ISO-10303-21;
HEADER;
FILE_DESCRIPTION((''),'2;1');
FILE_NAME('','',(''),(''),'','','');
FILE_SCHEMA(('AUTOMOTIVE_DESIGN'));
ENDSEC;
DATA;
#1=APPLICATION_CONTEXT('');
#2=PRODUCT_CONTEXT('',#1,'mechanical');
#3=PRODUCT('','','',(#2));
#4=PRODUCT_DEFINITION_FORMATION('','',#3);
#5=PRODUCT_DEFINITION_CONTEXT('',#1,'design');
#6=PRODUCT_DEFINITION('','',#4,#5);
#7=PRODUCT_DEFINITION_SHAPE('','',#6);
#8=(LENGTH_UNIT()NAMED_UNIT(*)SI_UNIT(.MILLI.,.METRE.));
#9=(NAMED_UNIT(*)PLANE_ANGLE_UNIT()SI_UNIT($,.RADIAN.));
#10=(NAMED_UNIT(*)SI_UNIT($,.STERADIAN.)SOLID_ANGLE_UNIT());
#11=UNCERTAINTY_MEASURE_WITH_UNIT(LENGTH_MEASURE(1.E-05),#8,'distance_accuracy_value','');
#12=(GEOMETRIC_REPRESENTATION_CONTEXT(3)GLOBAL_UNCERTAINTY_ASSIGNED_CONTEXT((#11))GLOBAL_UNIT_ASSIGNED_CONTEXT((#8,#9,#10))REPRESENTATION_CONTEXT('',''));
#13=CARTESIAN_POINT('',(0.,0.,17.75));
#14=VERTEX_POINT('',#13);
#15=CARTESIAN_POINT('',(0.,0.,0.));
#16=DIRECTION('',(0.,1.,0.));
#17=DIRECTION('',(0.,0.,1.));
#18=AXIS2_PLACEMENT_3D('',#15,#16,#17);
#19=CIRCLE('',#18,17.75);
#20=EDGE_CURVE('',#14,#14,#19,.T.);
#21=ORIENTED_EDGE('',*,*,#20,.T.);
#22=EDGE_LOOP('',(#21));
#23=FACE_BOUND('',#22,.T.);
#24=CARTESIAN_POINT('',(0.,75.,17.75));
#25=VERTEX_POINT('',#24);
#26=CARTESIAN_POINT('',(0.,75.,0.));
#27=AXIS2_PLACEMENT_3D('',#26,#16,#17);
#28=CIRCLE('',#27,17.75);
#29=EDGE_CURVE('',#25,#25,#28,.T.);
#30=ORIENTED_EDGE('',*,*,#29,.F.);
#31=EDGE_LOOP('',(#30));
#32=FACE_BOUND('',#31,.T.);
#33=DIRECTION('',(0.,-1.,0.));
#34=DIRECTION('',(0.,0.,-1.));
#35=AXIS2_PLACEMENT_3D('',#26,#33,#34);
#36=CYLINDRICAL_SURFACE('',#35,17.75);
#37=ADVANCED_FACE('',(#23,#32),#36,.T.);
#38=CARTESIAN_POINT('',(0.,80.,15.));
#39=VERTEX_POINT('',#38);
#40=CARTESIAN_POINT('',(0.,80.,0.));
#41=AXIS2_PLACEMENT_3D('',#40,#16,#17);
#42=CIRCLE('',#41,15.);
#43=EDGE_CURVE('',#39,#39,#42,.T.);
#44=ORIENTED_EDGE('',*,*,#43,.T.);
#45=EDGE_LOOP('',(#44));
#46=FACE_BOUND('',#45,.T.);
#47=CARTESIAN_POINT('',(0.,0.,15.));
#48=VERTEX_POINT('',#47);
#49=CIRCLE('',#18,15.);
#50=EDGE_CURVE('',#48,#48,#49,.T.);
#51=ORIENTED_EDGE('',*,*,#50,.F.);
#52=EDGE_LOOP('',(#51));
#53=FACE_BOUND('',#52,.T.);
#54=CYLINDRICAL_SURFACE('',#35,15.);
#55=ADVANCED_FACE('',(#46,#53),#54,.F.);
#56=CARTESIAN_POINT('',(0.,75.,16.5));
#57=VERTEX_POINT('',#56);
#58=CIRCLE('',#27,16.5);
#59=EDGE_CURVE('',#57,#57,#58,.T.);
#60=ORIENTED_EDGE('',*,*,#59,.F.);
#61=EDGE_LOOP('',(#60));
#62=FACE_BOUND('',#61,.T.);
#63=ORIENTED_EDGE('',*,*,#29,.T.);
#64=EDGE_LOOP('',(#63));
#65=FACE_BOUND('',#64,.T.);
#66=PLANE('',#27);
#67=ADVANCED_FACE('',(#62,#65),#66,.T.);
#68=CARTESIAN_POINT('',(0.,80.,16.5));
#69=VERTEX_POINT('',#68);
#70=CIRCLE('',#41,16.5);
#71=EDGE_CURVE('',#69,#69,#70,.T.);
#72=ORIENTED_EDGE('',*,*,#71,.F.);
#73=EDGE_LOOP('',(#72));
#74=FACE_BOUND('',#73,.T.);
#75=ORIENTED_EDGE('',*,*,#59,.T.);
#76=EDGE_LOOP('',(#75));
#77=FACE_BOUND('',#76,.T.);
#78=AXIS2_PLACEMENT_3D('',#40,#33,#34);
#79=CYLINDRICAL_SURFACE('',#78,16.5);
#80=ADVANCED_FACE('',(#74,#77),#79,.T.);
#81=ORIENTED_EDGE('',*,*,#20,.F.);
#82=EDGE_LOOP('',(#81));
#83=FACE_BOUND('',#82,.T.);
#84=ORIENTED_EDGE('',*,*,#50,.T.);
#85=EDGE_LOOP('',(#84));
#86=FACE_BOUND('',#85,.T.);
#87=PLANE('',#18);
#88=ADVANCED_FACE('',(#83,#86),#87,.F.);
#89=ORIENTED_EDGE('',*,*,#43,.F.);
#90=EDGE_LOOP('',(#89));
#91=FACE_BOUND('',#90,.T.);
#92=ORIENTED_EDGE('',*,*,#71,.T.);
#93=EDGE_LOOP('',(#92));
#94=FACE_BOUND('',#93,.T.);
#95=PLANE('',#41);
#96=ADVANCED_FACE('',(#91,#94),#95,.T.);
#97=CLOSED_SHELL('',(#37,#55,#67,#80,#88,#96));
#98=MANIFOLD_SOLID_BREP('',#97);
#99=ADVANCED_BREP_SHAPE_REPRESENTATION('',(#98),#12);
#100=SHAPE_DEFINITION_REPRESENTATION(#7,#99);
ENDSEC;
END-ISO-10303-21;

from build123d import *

# Parameters (mm, degrees)
SKETCH1_R           = 17.75
SKETCH1_R_2         = 15
BOSS_EXTRUDE1_DEPTH = 75
SKETCH2_R           = 16.5
SKETCH2_R_2         = 15
BOSS_EXTRUDE2_DEPTH = 5


with BuildPart() as part:
    # Sketch1 → Boss-Extrude1 (new body)
    with BuildSketch(Plane(origin=(0, 0, 0), x_dir=(1, 0, 0), z_dir=(0, 1, 0))):
        with Locations(Location((0, 0, 0), (0, 0, 270))):
            Circle(SKETCH1_R)
        with Locations(Location((0, 0, 0), (0, 0, 270))):
            Circle(SKETCH1_R_2, mode=Mode.SUBTRACT)
    extrude(amount=BOSS_EXTRUDE1_DEPTH)

    # Sketch2 → Boss-Extrude2 (add)
    with BuildSketch(Plane(origin=(0, 75, 0), x_dir=(1, 0, 0), z_dir=(0, 1, 0))):
        with Locations(Location((0, 0, 0), (0, 0, 270))):
            Circle(SKETCH2_R)
        with Locations(Location((0, 0, 0), (0, 0, 270))):
            Circle(SKETCH2_R_2, mode=Mode.SUBTRACT)
    extrude(amount=BOSS_EXTRUDE2_DEPTH)


solid = part.part
